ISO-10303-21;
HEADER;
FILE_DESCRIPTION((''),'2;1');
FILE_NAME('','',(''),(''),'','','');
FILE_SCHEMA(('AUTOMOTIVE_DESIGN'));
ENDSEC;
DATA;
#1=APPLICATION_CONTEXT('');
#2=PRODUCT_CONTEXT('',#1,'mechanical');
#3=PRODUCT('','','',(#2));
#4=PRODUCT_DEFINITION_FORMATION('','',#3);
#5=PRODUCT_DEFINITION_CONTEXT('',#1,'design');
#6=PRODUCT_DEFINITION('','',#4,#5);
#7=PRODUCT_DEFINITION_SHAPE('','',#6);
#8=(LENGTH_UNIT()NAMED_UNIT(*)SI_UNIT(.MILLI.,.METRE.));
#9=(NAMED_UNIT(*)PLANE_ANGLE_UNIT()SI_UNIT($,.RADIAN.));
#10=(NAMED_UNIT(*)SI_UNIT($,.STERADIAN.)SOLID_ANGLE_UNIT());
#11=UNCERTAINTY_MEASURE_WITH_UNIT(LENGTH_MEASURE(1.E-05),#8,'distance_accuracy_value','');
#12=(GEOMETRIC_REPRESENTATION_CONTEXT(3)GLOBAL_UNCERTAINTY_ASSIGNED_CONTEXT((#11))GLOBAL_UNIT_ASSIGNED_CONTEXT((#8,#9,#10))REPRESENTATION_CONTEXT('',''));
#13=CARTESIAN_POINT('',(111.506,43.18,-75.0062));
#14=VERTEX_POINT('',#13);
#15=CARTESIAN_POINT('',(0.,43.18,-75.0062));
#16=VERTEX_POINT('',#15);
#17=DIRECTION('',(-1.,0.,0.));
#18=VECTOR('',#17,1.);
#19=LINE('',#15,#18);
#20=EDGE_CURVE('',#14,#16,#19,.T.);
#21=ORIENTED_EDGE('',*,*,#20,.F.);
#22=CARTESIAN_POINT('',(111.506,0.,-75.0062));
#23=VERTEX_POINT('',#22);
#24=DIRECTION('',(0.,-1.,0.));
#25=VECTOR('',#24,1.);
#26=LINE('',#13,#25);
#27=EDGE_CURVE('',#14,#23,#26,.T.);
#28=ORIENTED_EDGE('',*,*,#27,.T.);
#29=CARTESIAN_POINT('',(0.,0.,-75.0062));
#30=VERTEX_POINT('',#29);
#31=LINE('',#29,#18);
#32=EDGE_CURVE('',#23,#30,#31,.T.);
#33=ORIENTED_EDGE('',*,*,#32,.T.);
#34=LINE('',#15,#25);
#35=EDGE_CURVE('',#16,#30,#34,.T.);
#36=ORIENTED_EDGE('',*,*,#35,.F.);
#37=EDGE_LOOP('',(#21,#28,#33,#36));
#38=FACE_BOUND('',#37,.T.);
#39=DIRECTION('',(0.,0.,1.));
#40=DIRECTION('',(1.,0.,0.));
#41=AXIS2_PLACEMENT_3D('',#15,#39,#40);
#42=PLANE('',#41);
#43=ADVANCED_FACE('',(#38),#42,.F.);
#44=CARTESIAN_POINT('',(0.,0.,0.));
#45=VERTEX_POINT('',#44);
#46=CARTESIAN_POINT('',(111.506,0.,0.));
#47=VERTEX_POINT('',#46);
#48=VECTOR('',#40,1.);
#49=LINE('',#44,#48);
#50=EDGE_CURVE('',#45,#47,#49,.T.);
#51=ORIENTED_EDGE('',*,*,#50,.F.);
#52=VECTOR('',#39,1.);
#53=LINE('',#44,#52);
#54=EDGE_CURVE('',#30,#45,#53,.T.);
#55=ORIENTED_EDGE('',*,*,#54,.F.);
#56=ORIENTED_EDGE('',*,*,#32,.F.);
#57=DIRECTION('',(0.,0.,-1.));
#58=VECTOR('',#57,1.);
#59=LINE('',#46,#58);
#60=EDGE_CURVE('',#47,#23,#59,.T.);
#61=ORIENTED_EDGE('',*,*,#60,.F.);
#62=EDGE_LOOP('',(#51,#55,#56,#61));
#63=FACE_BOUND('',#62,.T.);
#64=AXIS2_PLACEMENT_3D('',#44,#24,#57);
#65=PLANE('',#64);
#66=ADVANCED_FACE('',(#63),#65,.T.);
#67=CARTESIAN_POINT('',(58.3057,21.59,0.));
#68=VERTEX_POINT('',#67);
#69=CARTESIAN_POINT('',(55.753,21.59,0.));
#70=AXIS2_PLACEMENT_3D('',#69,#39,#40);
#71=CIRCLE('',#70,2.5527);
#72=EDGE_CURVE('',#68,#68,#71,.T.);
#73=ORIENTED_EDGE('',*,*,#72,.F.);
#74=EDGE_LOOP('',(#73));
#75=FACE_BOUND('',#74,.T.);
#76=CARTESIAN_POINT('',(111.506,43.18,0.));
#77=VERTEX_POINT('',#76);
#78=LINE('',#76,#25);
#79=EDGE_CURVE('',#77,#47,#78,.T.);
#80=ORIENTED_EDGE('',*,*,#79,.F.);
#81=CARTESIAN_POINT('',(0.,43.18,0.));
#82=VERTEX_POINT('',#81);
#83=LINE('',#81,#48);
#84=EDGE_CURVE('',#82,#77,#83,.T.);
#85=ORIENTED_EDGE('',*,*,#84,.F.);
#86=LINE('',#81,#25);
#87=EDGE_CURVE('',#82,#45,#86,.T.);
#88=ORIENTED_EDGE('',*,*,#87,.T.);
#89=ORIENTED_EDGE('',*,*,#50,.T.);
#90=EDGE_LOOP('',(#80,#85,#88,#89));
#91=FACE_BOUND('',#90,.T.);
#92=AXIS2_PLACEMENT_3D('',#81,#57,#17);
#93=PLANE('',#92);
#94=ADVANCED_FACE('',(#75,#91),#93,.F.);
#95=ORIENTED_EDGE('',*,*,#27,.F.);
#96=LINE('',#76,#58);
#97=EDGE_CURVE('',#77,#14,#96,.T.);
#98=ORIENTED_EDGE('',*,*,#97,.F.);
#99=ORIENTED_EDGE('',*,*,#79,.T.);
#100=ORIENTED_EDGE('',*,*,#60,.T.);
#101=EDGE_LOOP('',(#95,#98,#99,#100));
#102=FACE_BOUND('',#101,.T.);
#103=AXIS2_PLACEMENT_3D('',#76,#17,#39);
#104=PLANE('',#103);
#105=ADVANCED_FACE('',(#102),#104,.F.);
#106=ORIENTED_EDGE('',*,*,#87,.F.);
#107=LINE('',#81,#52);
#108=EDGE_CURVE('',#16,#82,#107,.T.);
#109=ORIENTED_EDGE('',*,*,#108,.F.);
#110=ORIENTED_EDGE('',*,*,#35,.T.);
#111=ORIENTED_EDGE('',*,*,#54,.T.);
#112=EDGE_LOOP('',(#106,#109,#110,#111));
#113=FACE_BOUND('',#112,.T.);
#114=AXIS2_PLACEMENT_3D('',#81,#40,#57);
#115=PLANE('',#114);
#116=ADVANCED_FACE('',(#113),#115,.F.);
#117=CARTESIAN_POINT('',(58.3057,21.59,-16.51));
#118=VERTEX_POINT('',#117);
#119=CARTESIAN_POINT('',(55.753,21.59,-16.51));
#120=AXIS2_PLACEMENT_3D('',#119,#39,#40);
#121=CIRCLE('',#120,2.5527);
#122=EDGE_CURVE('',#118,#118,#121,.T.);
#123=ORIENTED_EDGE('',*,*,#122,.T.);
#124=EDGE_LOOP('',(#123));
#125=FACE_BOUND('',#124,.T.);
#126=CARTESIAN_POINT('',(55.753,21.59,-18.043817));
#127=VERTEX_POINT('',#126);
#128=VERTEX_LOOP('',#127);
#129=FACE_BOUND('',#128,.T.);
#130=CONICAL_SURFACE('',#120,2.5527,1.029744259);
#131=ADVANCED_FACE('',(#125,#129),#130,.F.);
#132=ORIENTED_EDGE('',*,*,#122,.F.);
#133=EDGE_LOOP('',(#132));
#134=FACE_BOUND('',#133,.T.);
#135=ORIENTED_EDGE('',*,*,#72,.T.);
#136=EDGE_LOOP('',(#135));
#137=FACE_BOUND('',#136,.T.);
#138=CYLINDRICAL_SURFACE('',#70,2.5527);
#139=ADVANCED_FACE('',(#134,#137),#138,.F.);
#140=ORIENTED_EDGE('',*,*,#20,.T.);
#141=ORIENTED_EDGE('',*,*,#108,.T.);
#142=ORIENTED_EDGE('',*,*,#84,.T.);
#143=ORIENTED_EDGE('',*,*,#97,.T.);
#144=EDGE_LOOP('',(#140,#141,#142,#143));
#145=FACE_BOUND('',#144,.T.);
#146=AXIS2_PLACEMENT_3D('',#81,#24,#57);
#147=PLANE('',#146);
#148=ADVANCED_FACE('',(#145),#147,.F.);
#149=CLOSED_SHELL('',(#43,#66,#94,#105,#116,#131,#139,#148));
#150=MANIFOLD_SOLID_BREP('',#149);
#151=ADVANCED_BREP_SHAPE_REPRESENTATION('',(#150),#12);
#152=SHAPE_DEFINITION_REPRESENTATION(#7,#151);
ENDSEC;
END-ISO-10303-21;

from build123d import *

# Parameters (mm, degrees)
SKETCH1_W                   = 111.506
SKETCH1_H                   = 75.0062
BOSS_EXTRUDE1_DEPTH         = 43.18
F_1_4_20_TAPPED_HOLE1_D     = 5.1054
F_1_4_20_TAPPED_HOLE1_DEPTH = 16.51
F_1_4_20_TAPPED_HOLE1_TIP   = 1.533816902


with BuildPart() as part:
    # Sketch1 → Boss-Extrude1 (new body)
    with BuildSketch(Plane(origin=(0, 0, 0), x_dir=(1, 0, 0), z_dir=(0, 1, 0))):
        with Locations((55.753, 37.5031)):
            Rectangle(SKETCH1_W, SKETCH1_H)
    extrude(amount=BOSS_EXTRUDE1_DEPTH)

    # 1/4-20 Tapped Hole1
    with Locations(Plane(origin=(55.753, 21.59, 0), x_dir=(1, 0, 0), z_dir=(0, 0, 1))):
        with Locations((0, 0)):
            Hole(F_1_4_20_TAPPED_HOLE1_D / 2, depth=F_1_4_20_TAPPED_HOLE1_DEPTH)
            with Locations((0, 0, -(F_1_4_20_TAPPED_HOLE1_DEPTH + F_1_4_20_TAPPED_HOLE1_TIP / 2))):  # 118° drill point
                Cone(0, F_1_4_20_TAPPED_HOLE1_D / 2, F_1_4_20_TAPPED_HOLE1_TIP, mode=Mode.SUBTRACT)


solid = part.part
